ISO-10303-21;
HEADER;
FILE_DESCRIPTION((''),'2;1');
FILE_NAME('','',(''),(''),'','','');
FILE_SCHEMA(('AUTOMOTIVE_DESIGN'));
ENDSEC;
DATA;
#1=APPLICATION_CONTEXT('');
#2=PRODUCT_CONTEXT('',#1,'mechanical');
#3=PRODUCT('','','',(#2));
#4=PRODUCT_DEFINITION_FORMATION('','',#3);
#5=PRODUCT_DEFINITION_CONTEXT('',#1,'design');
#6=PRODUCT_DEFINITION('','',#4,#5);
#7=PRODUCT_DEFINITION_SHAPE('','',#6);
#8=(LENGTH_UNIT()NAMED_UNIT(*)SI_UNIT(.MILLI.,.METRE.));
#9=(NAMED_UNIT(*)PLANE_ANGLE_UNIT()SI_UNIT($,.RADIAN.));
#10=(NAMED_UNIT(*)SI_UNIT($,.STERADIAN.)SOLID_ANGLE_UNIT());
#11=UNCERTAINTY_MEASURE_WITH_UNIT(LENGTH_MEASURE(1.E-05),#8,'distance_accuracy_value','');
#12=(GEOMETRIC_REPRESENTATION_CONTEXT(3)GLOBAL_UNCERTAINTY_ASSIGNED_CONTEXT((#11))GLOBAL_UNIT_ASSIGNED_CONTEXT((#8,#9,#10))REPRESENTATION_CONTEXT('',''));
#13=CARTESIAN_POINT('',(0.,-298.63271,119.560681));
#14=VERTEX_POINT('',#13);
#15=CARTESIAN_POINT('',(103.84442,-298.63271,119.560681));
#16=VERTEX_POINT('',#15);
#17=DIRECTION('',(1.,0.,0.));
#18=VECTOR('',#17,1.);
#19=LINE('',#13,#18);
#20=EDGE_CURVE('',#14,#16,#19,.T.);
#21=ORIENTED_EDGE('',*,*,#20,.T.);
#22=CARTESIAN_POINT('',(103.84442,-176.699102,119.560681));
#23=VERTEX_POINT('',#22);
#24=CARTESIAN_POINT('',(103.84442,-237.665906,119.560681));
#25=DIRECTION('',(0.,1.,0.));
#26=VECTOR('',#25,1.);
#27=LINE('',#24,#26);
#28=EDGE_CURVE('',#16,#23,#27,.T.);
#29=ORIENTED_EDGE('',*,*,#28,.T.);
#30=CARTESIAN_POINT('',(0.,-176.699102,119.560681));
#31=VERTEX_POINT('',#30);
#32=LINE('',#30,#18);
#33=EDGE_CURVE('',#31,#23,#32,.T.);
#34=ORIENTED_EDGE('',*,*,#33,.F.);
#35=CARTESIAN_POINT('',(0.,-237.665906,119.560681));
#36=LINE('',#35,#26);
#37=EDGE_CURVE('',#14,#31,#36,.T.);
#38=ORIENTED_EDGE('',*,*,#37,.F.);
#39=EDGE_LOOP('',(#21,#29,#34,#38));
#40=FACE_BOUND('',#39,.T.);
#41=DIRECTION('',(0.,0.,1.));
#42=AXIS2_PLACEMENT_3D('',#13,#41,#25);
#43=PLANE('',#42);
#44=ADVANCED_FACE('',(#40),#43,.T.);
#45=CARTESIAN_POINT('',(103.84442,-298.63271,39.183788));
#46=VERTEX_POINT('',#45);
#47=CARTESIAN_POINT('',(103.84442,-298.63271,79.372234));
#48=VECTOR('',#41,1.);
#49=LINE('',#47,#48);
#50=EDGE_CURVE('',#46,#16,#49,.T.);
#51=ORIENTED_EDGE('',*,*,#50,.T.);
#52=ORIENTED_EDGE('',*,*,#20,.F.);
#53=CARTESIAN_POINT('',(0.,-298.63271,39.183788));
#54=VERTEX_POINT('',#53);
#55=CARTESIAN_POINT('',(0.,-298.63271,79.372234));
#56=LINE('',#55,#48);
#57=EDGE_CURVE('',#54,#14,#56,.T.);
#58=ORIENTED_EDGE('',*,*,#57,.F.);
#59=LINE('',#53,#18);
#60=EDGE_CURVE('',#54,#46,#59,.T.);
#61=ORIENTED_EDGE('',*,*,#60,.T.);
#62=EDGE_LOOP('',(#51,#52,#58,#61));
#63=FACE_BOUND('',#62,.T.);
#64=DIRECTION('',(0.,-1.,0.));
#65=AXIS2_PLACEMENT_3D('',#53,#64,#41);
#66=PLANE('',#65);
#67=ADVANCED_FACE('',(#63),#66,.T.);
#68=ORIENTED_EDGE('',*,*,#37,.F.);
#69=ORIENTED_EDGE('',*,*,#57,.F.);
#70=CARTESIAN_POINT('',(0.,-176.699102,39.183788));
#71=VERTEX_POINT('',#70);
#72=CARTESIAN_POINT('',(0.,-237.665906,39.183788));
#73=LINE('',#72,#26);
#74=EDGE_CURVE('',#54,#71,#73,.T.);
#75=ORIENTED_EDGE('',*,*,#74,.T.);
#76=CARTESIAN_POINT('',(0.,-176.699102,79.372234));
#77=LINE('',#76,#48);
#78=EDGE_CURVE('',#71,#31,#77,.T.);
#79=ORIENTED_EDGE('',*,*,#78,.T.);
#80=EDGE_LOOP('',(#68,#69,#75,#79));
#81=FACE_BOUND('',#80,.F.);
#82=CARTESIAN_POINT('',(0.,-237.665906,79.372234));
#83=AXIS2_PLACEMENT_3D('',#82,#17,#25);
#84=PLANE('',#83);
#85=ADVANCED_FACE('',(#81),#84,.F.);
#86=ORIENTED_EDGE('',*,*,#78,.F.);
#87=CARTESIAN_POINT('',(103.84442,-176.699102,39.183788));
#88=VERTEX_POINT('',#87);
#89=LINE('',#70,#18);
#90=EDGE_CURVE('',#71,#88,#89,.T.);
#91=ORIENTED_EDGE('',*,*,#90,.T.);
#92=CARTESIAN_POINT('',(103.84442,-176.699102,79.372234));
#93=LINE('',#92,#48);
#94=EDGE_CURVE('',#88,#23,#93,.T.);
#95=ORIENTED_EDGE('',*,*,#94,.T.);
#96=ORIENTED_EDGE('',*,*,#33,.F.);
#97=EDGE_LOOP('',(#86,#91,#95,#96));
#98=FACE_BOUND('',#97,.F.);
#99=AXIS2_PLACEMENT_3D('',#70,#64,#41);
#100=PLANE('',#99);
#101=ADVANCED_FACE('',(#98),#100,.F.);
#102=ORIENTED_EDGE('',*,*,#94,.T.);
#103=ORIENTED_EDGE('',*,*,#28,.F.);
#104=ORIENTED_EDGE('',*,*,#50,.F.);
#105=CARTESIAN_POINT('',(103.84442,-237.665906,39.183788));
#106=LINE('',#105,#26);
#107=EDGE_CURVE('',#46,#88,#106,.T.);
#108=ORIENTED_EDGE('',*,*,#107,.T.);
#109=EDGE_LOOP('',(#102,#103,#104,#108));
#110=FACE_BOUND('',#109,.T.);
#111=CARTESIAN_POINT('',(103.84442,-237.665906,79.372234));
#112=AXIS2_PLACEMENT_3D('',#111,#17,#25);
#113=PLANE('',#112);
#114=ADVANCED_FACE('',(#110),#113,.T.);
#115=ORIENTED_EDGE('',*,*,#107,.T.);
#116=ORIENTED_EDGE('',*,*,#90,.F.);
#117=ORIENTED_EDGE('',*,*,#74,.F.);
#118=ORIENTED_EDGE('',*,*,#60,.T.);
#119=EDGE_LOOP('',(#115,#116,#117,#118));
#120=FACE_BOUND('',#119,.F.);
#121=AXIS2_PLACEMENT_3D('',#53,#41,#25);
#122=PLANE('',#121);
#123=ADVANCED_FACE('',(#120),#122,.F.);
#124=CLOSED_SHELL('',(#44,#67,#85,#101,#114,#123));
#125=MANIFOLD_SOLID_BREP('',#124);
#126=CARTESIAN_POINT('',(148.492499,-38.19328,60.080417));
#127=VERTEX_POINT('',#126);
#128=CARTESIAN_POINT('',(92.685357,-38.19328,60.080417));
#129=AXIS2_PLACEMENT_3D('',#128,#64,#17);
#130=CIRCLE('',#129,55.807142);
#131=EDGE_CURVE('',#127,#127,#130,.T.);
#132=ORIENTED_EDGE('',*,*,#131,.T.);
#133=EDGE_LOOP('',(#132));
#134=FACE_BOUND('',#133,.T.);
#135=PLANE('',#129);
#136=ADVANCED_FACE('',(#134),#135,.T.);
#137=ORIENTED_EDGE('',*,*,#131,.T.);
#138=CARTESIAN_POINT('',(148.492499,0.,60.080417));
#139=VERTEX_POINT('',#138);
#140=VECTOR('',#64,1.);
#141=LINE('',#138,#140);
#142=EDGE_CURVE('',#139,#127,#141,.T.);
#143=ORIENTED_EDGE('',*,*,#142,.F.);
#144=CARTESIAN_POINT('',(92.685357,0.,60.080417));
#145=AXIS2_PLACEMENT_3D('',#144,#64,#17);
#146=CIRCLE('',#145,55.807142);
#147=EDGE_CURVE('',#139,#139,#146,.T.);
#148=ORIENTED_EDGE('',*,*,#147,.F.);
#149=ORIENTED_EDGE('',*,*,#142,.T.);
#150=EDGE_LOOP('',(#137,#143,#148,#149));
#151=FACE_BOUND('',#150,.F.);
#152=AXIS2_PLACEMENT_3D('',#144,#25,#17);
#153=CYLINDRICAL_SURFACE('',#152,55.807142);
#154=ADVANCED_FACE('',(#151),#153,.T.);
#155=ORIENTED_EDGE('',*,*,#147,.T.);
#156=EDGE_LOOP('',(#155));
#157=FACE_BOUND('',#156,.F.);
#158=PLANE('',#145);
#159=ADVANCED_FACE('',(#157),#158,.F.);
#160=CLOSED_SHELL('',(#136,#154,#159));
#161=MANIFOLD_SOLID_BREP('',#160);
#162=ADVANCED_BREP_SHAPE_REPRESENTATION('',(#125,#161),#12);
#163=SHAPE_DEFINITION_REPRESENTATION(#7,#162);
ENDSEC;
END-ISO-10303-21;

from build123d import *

# Parameters (mm, degrees)
F0_W     = 121.933609
F0_H     = 80.376893
F1_DEPTH = 103.84442
F2_R     = 55.807142
F3_DEPTH = 38.19328


with BuildPart() as f1:
    # F0 (on Right) → F1 (new body)
    with BuildSketch(Plane.YZ):
        with Locations((-237.665906, 79.372234)):
            Rectangle(F0_W, F0_H)
    extrude(amount=F1_DEPTH)


with BuildPart() as f3:
    # F2 (on Front) → F3 (new body)
    with BuildSketch(Plane.XZ):
        with Locations((92.685357, 60.080417)):
            Circle(F2_R)
    extrude(amount=F3_DEPTH)


solid = Compound([f1.part, f3.part])
